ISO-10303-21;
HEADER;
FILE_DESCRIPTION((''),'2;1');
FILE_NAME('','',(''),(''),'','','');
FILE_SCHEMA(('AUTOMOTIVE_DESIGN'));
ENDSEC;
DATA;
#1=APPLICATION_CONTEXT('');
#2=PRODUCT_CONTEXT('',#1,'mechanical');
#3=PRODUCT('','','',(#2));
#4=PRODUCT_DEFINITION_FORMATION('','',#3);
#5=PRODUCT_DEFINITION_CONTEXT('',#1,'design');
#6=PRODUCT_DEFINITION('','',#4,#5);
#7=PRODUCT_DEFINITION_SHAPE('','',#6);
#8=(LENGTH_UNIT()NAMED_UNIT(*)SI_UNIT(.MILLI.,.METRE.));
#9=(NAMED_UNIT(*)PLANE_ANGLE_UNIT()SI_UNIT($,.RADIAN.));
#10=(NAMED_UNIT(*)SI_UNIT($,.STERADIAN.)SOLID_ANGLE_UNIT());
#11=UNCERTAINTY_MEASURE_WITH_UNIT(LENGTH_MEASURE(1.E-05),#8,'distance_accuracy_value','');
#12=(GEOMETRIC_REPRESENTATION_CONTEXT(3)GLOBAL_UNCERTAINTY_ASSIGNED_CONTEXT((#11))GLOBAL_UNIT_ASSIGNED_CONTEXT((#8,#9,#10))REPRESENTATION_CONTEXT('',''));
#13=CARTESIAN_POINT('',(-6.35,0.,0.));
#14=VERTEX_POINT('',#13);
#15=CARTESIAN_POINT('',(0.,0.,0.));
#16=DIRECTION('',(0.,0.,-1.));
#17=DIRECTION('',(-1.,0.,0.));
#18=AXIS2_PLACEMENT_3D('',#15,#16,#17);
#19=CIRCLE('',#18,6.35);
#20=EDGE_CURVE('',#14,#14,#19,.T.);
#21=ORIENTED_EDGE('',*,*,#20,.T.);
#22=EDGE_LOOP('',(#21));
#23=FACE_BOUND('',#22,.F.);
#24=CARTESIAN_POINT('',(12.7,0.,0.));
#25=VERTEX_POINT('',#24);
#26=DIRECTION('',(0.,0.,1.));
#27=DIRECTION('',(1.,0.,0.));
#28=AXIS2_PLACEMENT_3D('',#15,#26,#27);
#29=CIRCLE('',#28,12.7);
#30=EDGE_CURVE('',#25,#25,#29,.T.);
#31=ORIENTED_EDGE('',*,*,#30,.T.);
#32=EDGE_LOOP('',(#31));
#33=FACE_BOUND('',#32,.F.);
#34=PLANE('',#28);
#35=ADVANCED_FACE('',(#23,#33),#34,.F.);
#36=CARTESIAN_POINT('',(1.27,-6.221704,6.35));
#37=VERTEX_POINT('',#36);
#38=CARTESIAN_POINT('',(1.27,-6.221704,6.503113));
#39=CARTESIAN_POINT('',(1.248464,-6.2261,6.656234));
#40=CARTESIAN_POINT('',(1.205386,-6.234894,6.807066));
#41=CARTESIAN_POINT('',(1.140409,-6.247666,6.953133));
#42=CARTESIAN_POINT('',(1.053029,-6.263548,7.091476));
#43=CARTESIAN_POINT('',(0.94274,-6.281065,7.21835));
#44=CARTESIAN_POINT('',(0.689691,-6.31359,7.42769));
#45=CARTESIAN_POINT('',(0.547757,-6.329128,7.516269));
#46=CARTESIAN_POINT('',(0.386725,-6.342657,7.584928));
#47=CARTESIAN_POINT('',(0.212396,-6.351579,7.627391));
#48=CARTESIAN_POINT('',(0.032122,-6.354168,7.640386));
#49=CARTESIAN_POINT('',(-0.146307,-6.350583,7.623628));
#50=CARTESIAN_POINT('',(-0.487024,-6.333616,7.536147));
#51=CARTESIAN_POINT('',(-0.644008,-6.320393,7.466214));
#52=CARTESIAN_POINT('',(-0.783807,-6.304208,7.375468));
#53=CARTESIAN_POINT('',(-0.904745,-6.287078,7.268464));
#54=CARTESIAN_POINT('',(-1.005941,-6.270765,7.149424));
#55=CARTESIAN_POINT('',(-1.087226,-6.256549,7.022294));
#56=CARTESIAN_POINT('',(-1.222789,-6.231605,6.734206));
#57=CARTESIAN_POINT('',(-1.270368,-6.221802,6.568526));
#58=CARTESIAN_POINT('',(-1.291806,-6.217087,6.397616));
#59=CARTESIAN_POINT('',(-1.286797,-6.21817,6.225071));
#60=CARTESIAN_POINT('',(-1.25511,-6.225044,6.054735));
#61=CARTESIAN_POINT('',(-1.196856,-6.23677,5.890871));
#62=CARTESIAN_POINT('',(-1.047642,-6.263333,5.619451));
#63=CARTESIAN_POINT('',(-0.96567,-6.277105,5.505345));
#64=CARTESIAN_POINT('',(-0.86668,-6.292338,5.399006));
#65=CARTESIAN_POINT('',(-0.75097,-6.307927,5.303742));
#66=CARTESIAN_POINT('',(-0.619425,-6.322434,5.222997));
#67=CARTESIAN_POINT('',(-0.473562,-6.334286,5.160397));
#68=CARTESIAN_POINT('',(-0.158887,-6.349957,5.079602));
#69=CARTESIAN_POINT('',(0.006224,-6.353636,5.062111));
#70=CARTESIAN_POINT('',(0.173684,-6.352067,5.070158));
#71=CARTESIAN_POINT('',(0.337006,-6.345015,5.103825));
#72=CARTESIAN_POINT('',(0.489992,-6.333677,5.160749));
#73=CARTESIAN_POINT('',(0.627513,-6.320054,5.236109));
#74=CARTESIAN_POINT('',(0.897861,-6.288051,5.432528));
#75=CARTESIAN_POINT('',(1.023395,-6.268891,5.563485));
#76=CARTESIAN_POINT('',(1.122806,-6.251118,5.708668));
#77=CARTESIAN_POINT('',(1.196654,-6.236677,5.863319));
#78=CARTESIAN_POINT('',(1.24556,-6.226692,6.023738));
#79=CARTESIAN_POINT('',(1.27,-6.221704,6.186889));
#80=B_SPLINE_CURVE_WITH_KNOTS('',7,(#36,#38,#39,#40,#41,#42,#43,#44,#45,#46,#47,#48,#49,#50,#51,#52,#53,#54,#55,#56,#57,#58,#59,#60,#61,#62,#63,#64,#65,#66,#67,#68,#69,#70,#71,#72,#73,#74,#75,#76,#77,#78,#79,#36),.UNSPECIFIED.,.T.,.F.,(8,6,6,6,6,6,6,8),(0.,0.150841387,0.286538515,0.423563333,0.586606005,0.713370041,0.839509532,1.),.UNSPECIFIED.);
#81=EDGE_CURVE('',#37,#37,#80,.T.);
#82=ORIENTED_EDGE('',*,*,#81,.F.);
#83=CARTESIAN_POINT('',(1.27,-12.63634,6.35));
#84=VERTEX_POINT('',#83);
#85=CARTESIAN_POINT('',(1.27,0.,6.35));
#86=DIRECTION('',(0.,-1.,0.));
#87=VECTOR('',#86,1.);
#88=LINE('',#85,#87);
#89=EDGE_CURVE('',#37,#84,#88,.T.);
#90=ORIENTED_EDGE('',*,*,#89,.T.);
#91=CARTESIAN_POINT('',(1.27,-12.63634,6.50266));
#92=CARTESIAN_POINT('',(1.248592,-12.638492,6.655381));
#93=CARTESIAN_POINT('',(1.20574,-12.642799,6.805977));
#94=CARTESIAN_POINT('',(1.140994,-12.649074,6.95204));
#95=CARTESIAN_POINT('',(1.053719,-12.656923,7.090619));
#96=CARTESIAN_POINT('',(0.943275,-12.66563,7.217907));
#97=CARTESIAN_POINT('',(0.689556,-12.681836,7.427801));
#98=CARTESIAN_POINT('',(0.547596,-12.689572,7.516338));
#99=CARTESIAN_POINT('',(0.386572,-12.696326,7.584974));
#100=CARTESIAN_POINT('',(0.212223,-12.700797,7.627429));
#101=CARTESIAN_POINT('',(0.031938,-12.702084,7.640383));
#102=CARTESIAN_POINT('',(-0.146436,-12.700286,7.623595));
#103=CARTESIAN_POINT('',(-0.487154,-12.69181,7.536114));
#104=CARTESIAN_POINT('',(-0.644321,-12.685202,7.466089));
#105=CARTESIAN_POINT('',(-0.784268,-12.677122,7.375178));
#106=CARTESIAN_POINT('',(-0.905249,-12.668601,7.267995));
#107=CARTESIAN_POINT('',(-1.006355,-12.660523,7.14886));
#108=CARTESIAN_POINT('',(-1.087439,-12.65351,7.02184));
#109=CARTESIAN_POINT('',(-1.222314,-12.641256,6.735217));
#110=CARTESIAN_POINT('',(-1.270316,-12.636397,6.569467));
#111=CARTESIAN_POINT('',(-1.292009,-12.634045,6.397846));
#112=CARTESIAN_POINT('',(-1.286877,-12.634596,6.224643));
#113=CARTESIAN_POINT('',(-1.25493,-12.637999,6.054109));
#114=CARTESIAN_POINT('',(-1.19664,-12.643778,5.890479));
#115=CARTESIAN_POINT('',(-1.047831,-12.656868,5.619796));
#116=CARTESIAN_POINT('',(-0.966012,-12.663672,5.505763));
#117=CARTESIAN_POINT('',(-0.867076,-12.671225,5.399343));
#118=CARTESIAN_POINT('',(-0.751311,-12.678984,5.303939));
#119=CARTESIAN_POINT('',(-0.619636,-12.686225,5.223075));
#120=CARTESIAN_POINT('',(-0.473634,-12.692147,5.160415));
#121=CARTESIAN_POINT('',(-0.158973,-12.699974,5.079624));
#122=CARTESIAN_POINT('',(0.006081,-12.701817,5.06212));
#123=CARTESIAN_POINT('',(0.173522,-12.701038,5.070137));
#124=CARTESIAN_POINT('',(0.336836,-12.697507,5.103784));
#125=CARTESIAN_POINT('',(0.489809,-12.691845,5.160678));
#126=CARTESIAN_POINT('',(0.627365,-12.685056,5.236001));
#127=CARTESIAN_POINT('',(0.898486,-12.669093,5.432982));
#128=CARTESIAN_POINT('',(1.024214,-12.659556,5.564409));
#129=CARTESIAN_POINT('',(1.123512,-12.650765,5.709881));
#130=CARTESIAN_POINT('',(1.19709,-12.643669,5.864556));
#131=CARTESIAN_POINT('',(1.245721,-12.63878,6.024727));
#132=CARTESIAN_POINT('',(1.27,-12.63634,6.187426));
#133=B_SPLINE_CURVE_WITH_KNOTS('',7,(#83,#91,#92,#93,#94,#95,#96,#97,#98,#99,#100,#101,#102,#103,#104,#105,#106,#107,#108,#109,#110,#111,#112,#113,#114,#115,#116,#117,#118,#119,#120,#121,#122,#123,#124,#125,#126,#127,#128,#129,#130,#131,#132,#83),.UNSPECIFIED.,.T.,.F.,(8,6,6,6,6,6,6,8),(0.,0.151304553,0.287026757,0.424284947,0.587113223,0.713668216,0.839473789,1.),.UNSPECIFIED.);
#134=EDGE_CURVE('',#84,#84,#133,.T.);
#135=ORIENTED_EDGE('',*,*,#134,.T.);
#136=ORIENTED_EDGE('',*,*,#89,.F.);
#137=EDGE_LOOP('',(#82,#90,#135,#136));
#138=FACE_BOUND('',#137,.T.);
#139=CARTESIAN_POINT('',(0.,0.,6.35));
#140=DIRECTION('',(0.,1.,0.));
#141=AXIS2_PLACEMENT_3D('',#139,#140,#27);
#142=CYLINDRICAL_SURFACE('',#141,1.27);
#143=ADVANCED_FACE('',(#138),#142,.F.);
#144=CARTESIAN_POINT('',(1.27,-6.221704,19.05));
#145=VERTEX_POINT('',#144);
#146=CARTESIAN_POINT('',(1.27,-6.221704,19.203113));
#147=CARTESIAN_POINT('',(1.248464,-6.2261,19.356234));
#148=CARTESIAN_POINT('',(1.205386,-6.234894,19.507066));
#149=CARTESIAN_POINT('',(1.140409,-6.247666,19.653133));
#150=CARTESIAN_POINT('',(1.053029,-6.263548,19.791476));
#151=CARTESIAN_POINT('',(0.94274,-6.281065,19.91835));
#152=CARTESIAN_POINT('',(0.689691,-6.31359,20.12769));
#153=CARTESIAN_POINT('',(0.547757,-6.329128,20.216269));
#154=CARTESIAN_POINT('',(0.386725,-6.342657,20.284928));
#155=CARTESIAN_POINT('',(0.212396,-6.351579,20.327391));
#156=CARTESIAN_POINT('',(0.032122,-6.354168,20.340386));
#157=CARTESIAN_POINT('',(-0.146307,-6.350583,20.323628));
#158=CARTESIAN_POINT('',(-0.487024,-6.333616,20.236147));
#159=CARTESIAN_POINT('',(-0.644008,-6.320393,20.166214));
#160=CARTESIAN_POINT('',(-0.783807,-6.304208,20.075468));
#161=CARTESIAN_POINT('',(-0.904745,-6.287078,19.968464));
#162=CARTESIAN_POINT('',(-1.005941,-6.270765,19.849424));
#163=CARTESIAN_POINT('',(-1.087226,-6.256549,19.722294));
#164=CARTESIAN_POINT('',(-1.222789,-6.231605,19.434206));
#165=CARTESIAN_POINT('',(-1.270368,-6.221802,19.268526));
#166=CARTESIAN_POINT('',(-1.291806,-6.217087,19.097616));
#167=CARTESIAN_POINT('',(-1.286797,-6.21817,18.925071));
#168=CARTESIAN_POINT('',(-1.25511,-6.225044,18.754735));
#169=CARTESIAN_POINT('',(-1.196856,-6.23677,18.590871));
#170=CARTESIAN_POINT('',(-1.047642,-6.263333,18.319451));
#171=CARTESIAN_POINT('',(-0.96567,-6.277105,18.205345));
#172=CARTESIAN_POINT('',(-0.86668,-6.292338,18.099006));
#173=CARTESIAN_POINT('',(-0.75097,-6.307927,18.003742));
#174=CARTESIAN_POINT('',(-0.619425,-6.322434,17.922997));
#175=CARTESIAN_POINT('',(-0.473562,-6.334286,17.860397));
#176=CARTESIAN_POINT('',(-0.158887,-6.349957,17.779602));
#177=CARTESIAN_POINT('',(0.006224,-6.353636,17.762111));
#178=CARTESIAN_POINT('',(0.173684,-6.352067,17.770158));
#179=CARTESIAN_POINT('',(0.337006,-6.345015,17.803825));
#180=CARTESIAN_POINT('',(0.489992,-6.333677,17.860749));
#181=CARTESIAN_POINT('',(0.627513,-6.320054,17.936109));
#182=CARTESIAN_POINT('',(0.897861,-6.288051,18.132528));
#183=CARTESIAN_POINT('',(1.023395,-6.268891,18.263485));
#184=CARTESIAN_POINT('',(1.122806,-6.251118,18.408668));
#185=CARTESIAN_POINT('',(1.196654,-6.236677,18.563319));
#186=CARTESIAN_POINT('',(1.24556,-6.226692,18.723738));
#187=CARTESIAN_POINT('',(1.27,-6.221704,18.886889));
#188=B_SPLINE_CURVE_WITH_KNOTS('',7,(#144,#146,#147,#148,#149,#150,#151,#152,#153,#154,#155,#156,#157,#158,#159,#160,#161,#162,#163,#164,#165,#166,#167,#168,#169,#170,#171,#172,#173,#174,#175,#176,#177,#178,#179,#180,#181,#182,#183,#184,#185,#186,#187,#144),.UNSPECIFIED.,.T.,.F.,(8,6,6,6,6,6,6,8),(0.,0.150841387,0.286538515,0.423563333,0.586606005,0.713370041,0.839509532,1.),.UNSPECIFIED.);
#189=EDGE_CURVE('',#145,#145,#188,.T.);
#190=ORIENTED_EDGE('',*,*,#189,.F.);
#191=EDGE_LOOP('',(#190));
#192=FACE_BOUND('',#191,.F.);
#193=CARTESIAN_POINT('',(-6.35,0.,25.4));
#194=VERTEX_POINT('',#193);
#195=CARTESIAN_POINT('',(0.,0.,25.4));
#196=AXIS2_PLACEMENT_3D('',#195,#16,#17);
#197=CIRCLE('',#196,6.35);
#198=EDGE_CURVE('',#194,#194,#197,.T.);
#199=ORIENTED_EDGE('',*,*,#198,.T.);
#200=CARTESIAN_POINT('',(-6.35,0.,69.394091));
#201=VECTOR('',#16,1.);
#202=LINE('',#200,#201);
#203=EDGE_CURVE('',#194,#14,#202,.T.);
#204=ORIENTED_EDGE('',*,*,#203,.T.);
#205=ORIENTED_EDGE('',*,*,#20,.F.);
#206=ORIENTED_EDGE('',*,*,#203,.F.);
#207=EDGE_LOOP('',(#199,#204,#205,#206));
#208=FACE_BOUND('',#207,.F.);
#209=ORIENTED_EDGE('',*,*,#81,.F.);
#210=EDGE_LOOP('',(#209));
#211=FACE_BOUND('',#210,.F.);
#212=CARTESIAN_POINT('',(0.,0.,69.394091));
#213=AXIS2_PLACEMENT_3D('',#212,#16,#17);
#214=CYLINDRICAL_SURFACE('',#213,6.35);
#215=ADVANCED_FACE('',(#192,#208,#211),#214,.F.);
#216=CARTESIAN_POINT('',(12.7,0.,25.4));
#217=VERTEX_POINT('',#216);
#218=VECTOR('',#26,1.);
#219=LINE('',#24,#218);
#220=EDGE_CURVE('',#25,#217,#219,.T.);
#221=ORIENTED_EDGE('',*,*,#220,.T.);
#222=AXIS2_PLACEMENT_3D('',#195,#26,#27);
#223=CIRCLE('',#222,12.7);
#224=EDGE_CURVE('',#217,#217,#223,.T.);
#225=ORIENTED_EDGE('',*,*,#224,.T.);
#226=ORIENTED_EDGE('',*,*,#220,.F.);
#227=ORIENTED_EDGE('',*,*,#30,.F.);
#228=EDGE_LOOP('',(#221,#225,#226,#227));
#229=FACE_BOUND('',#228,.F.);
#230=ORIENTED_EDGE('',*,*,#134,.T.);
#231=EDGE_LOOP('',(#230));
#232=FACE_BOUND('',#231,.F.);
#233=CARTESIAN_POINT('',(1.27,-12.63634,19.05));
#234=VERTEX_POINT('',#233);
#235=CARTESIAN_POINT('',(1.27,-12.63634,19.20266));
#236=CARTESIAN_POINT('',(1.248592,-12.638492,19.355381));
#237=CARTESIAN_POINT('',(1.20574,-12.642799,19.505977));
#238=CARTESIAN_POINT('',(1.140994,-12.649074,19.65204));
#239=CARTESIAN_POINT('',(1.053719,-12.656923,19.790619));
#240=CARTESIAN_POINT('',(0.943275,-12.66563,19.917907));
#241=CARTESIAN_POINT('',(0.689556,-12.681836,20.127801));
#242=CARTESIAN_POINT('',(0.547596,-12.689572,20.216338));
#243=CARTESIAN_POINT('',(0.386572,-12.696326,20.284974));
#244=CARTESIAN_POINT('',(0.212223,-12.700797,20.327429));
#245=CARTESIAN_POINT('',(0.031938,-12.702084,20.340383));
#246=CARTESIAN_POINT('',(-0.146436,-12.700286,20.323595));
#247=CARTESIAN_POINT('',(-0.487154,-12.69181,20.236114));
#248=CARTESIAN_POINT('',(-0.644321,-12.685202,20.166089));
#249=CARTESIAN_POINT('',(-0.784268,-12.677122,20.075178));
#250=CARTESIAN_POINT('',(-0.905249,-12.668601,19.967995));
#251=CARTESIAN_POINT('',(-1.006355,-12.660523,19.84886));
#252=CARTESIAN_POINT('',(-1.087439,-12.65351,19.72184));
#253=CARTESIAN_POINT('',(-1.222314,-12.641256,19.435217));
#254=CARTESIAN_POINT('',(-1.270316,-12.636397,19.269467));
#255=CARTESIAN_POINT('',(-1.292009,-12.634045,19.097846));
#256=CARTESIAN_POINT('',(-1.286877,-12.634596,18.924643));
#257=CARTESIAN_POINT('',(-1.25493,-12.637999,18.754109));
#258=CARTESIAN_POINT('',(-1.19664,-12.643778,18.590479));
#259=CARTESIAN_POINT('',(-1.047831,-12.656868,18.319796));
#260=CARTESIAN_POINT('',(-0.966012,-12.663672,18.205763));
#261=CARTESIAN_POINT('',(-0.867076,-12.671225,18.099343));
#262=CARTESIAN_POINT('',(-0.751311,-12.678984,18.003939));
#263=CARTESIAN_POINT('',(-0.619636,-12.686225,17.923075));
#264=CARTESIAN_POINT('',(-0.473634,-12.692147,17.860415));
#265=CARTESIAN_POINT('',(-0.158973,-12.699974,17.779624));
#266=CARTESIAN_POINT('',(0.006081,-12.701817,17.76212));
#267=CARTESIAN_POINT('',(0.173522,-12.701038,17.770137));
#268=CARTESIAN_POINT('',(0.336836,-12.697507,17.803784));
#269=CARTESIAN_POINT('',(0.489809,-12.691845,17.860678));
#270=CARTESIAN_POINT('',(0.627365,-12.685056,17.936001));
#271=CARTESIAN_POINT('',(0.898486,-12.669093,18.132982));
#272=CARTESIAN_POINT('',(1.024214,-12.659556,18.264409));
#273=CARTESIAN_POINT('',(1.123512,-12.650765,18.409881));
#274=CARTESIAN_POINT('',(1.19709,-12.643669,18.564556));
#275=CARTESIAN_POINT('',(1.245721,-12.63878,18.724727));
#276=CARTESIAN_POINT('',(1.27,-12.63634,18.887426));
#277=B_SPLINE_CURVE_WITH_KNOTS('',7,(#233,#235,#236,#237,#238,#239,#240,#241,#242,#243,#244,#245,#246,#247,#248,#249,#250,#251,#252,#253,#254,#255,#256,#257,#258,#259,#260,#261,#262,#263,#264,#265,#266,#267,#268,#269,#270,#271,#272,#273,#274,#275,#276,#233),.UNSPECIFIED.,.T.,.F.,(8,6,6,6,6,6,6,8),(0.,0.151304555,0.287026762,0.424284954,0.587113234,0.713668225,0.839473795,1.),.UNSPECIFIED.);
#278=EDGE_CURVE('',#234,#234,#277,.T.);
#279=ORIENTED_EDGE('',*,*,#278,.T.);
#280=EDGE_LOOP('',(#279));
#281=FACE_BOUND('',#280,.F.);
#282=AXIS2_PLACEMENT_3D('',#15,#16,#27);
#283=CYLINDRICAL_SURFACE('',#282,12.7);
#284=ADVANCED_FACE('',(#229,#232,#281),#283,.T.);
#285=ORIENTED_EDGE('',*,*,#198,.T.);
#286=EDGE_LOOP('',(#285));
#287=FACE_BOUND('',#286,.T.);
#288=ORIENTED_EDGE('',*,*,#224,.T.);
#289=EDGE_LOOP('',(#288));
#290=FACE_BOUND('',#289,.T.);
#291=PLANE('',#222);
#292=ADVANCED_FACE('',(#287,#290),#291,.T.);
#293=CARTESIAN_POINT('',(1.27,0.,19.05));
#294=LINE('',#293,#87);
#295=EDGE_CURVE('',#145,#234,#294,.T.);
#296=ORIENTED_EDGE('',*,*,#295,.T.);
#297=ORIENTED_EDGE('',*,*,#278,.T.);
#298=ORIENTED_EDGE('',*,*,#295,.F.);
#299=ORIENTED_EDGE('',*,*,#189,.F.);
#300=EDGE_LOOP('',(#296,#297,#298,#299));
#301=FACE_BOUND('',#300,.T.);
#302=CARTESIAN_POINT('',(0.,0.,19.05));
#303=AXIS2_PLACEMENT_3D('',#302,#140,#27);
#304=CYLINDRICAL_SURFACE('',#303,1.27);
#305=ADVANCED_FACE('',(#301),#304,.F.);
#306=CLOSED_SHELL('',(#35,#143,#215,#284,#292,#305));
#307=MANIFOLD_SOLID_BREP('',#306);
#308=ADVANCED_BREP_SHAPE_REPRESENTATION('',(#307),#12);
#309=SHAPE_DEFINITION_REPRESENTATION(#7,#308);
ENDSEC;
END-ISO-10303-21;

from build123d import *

# Parameters (mm, degrees)
F0_R     = 12.7
F1_DEPTH = 25.4
F3_D     = 12.7
F4_R     = 1.27
F5_DEPTH = 12.701


with BuildPart() as f1:
    # F0 (on Top) → F1 (new body)
    with BuildSketch(Plane.XY):
        Circle(F0_R)
    extrude(amount=F1_DEPTH)

    # F3 (through all)
    with Locations(Plane.XY.offset(25.4)):
        with Locations((0, 0)):
            Hole(F3_D / 2)

    # F4 (on Front) → F5 (cut, through all)
    with BuildSketch(Plane.XZ):
        with Locations((0, 6.35)):
            Circle(F4_R)
        with Locations((0, 19.05)):
            Circle(F4_R)
    extrude(amount=F5_DEPTH, mode=Mode.SUBTRACT)


solid = f1.part
